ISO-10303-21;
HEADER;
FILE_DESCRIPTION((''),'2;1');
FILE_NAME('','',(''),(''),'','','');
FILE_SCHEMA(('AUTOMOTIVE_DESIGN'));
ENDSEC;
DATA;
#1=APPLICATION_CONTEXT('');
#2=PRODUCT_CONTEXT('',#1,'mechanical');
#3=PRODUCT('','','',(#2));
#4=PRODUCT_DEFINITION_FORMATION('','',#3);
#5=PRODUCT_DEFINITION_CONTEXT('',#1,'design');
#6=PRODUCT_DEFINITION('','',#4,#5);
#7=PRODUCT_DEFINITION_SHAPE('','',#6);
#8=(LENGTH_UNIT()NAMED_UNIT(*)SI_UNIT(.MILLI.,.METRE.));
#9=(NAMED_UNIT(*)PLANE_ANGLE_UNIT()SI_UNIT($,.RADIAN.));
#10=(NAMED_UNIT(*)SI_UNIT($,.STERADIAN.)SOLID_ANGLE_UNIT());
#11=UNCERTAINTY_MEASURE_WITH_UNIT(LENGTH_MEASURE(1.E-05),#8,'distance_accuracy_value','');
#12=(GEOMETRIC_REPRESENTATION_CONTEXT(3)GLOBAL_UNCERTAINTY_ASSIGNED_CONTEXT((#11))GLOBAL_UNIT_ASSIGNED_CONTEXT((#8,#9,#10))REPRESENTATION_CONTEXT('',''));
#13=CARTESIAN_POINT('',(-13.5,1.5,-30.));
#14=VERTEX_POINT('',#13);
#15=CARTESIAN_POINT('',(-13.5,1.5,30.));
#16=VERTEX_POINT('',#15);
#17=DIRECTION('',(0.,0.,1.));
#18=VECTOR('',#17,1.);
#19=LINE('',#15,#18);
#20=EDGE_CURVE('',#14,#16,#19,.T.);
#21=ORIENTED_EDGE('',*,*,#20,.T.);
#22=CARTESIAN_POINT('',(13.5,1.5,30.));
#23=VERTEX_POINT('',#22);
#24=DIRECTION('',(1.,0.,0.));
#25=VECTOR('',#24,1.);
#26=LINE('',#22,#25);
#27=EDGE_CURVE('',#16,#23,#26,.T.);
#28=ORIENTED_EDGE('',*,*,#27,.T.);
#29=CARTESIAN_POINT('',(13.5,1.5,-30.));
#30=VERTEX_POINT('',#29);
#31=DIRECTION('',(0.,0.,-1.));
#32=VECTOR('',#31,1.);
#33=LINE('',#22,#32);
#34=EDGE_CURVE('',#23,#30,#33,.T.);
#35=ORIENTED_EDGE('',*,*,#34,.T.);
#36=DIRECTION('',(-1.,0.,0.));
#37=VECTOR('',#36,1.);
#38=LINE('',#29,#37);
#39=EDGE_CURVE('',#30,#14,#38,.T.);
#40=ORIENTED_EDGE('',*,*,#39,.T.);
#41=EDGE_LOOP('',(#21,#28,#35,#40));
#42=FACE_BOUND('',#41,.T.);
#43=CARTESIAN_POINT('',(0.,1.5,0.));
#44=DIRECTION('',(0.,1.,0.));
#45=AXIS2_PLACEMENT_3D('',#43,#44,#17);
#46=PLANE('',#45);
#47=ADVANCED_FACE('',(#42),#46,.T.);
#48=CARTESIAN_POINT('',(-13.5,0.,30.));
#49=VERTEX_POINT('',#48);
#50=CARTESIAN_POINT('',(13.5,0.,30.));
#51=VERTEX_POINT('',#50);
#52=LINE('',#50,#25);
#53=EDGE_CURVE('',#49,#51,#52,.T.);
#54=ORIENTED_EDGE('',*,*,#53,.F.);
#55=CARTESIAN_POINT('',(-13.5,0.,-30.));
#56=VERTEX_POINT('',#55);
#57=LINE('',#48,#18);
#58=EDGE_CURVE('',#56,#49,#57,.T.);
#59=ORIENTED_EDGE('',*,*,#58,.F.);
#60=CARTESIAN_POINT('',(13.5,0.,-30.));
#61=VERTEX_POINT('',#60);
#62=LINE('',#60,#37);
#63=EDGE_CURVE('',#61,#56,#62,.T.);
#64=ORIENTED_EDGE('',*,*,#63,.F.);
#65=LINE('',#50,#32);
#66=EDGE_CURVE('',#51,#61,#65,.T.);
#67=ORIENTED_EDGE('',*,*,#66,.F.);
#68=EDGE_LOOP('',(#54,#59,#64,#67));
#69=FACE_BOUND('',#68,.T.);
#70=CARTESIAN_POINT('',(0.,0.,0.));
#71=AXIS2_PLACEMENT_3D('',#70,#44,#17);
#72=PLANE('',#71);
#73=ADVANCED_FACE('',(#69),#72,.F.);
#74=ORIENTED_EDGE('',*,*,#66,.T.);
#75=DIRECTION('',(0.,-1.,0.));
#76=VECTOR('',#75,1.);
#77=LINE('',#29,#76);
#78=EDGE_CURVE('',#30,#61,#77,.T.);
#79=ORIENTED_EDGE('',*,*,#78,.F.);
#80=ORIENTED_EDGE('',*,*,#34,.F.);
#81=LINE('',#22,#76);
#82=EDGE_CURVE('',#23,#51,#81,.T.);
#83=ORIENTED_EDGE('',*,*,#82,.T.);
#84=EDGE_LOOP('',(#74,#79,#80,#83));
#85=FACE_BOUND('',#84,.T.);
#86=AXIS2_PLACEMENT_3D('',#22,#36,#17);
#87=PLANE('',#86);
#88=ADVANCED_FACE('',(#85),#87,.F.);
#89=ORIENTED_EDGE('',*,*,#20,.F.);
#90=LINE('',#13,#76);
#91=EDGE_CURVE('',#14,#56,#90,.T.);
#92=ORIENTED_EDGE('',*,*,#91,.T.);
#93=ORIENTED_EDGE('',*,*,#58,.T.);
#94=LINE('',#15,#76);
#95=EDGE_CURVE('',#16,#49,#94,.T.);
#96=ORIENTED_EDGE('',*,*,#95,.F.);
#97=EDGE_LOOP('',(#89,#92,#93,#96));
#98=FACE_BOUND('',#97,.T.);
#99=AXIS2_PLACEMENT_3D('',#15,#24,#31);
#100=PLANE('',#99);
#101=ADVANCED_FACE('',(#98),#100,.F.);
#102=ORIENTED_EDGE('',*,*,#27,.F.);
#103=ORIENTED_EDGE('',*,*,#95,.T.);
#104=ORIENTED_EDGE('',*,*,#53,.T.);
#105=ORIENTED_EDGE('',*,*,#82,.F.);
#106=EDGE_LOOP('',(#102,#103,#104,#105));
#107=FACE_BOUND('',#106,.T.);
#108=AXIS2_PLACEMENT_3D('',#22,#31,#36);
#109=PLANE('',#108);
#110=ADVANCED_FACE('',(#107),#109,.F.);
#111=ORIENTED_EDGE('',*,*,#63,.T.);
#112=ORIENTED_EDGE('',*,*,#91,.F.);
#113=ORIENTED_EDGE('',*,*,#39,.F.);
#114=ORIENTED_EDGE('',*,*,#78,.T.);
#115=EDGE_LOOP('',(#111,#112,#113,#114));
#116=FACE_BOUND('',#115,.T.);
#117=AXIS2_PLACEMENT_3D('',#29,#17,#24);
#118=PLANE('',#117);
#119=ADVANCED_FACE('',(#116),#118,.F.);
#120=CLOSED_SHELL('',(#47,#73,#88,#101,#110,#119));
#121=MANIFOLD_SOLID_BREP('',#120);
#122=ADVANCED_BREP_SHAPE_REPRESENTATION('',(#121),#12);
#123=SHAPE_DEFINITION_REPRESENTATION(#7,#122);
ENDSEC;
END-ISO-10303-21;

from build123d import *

# Parameters (mm, degrees)
SKETCH1_W           = 27
SKETCH1_H           = 60
BOSS_EXTRUDE1_DEPTH = 1.5


with BuildPart() as part:
    # Sketch1 → Boss-Extrude1 (new body)
    with BuildSketch(Plane(origin=(0, 0, 0), x_dir=(1, 0, 0), z_dir=(0, 1, 0))):
        Rectangle(SKETCH1_W, SKETCH1_H)
    extrude(amount=BOSS_EXTRUDE1_DEPTH)


solid = part.part
